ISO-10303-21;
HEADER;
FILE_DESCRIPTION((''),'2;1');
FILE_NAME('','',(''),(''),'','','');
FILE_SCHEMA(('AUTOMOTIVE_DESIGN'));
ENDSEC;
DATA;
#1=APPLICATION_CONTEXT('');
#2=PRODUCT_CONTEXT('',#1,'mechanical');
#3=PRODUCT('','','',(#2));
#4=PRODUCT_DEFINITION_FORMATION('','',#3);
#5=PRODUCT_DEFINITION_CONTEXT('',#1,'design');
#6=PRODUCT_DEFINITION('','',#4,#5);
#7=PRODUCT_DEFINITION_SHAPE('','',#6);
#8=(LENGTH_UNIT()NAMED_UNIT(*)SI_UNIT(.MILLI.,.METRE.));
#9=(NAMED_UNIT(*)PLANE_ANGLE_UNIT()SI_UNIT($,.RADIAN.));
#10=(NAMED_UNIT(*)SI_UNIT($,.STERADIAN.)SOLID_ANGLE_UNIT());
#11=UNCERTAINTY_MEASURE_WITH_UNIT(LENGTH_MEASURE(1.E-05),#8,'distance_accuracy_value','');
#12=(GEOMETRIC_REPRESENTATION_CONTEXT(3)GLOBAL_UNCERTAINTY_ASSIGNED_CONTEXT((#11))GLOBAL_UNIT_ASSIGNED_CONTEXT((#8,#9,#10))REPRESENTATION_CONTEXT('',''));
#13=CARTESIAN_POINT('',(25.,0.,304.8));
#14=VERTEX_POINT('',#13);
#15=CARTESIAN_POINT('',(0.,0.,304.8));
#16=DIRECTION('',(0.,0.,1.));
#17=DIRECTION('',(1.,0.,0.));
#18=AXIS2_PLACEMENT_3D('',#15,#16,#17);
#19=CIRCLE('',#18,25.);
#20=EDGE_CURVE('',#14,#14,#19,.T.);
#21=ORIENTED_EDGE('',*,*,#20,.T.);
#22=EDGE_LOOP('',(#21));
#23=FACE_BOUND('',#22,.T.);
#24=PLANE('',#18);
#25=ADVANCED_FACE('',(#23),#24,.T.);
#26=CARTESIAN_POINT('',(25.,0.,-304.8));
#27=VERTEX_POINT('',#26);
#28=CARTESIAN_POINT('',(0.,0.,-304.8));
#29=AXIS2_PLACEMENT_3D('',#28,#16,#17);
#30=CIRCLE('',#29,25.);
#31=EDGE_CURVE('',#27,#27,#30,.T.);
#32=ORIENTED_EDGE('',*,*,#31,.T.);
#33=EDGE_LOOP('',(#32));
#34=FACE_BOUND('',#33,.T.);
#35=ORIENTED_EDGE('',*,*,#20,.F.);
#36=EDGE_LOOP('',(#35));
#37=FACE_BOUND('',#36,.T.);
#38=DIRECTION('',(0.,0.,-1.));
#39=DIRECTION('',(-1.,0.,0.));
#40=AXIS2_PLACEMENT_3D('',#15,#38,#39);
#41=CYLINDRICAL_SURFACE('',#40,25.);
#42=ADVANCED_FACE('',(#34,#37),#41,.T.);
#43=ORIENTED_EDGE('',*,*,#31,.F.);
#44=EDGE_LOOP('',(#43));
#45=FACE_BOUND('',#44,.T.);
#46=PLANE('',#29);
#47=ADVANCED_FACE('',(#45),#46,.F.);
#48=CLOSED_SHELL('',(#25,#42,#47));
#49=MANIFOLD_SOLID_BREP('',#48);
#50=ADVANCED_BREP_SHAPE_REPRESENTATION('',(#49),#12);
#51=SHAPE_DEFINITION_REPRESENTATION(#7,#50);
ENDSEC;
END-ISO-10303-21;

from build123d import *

# Parameters (mm, degrees)
SKETCH3_R                = 25
BOSS_EXTRUDE1_DEPTH      = 304.8
BOSS_EXTRUDE1_DEPTH_BACK = 304.8


with BuildPart() as part:
    # Sketch3 → Boss-Extrude1 (new body, two sides)
    with BuildSketch(Plane.XY) as boss_extrude1_sk:
        Circle(SKETCH3_R)
    extrude(amount=BOSS_EXTRUDE1_DEPTH)
    extrude(boss_extrude1_sk.sketch, amount=-BOSS_EXTRUDE1_DEPTH_BACK)


solid = part.part
